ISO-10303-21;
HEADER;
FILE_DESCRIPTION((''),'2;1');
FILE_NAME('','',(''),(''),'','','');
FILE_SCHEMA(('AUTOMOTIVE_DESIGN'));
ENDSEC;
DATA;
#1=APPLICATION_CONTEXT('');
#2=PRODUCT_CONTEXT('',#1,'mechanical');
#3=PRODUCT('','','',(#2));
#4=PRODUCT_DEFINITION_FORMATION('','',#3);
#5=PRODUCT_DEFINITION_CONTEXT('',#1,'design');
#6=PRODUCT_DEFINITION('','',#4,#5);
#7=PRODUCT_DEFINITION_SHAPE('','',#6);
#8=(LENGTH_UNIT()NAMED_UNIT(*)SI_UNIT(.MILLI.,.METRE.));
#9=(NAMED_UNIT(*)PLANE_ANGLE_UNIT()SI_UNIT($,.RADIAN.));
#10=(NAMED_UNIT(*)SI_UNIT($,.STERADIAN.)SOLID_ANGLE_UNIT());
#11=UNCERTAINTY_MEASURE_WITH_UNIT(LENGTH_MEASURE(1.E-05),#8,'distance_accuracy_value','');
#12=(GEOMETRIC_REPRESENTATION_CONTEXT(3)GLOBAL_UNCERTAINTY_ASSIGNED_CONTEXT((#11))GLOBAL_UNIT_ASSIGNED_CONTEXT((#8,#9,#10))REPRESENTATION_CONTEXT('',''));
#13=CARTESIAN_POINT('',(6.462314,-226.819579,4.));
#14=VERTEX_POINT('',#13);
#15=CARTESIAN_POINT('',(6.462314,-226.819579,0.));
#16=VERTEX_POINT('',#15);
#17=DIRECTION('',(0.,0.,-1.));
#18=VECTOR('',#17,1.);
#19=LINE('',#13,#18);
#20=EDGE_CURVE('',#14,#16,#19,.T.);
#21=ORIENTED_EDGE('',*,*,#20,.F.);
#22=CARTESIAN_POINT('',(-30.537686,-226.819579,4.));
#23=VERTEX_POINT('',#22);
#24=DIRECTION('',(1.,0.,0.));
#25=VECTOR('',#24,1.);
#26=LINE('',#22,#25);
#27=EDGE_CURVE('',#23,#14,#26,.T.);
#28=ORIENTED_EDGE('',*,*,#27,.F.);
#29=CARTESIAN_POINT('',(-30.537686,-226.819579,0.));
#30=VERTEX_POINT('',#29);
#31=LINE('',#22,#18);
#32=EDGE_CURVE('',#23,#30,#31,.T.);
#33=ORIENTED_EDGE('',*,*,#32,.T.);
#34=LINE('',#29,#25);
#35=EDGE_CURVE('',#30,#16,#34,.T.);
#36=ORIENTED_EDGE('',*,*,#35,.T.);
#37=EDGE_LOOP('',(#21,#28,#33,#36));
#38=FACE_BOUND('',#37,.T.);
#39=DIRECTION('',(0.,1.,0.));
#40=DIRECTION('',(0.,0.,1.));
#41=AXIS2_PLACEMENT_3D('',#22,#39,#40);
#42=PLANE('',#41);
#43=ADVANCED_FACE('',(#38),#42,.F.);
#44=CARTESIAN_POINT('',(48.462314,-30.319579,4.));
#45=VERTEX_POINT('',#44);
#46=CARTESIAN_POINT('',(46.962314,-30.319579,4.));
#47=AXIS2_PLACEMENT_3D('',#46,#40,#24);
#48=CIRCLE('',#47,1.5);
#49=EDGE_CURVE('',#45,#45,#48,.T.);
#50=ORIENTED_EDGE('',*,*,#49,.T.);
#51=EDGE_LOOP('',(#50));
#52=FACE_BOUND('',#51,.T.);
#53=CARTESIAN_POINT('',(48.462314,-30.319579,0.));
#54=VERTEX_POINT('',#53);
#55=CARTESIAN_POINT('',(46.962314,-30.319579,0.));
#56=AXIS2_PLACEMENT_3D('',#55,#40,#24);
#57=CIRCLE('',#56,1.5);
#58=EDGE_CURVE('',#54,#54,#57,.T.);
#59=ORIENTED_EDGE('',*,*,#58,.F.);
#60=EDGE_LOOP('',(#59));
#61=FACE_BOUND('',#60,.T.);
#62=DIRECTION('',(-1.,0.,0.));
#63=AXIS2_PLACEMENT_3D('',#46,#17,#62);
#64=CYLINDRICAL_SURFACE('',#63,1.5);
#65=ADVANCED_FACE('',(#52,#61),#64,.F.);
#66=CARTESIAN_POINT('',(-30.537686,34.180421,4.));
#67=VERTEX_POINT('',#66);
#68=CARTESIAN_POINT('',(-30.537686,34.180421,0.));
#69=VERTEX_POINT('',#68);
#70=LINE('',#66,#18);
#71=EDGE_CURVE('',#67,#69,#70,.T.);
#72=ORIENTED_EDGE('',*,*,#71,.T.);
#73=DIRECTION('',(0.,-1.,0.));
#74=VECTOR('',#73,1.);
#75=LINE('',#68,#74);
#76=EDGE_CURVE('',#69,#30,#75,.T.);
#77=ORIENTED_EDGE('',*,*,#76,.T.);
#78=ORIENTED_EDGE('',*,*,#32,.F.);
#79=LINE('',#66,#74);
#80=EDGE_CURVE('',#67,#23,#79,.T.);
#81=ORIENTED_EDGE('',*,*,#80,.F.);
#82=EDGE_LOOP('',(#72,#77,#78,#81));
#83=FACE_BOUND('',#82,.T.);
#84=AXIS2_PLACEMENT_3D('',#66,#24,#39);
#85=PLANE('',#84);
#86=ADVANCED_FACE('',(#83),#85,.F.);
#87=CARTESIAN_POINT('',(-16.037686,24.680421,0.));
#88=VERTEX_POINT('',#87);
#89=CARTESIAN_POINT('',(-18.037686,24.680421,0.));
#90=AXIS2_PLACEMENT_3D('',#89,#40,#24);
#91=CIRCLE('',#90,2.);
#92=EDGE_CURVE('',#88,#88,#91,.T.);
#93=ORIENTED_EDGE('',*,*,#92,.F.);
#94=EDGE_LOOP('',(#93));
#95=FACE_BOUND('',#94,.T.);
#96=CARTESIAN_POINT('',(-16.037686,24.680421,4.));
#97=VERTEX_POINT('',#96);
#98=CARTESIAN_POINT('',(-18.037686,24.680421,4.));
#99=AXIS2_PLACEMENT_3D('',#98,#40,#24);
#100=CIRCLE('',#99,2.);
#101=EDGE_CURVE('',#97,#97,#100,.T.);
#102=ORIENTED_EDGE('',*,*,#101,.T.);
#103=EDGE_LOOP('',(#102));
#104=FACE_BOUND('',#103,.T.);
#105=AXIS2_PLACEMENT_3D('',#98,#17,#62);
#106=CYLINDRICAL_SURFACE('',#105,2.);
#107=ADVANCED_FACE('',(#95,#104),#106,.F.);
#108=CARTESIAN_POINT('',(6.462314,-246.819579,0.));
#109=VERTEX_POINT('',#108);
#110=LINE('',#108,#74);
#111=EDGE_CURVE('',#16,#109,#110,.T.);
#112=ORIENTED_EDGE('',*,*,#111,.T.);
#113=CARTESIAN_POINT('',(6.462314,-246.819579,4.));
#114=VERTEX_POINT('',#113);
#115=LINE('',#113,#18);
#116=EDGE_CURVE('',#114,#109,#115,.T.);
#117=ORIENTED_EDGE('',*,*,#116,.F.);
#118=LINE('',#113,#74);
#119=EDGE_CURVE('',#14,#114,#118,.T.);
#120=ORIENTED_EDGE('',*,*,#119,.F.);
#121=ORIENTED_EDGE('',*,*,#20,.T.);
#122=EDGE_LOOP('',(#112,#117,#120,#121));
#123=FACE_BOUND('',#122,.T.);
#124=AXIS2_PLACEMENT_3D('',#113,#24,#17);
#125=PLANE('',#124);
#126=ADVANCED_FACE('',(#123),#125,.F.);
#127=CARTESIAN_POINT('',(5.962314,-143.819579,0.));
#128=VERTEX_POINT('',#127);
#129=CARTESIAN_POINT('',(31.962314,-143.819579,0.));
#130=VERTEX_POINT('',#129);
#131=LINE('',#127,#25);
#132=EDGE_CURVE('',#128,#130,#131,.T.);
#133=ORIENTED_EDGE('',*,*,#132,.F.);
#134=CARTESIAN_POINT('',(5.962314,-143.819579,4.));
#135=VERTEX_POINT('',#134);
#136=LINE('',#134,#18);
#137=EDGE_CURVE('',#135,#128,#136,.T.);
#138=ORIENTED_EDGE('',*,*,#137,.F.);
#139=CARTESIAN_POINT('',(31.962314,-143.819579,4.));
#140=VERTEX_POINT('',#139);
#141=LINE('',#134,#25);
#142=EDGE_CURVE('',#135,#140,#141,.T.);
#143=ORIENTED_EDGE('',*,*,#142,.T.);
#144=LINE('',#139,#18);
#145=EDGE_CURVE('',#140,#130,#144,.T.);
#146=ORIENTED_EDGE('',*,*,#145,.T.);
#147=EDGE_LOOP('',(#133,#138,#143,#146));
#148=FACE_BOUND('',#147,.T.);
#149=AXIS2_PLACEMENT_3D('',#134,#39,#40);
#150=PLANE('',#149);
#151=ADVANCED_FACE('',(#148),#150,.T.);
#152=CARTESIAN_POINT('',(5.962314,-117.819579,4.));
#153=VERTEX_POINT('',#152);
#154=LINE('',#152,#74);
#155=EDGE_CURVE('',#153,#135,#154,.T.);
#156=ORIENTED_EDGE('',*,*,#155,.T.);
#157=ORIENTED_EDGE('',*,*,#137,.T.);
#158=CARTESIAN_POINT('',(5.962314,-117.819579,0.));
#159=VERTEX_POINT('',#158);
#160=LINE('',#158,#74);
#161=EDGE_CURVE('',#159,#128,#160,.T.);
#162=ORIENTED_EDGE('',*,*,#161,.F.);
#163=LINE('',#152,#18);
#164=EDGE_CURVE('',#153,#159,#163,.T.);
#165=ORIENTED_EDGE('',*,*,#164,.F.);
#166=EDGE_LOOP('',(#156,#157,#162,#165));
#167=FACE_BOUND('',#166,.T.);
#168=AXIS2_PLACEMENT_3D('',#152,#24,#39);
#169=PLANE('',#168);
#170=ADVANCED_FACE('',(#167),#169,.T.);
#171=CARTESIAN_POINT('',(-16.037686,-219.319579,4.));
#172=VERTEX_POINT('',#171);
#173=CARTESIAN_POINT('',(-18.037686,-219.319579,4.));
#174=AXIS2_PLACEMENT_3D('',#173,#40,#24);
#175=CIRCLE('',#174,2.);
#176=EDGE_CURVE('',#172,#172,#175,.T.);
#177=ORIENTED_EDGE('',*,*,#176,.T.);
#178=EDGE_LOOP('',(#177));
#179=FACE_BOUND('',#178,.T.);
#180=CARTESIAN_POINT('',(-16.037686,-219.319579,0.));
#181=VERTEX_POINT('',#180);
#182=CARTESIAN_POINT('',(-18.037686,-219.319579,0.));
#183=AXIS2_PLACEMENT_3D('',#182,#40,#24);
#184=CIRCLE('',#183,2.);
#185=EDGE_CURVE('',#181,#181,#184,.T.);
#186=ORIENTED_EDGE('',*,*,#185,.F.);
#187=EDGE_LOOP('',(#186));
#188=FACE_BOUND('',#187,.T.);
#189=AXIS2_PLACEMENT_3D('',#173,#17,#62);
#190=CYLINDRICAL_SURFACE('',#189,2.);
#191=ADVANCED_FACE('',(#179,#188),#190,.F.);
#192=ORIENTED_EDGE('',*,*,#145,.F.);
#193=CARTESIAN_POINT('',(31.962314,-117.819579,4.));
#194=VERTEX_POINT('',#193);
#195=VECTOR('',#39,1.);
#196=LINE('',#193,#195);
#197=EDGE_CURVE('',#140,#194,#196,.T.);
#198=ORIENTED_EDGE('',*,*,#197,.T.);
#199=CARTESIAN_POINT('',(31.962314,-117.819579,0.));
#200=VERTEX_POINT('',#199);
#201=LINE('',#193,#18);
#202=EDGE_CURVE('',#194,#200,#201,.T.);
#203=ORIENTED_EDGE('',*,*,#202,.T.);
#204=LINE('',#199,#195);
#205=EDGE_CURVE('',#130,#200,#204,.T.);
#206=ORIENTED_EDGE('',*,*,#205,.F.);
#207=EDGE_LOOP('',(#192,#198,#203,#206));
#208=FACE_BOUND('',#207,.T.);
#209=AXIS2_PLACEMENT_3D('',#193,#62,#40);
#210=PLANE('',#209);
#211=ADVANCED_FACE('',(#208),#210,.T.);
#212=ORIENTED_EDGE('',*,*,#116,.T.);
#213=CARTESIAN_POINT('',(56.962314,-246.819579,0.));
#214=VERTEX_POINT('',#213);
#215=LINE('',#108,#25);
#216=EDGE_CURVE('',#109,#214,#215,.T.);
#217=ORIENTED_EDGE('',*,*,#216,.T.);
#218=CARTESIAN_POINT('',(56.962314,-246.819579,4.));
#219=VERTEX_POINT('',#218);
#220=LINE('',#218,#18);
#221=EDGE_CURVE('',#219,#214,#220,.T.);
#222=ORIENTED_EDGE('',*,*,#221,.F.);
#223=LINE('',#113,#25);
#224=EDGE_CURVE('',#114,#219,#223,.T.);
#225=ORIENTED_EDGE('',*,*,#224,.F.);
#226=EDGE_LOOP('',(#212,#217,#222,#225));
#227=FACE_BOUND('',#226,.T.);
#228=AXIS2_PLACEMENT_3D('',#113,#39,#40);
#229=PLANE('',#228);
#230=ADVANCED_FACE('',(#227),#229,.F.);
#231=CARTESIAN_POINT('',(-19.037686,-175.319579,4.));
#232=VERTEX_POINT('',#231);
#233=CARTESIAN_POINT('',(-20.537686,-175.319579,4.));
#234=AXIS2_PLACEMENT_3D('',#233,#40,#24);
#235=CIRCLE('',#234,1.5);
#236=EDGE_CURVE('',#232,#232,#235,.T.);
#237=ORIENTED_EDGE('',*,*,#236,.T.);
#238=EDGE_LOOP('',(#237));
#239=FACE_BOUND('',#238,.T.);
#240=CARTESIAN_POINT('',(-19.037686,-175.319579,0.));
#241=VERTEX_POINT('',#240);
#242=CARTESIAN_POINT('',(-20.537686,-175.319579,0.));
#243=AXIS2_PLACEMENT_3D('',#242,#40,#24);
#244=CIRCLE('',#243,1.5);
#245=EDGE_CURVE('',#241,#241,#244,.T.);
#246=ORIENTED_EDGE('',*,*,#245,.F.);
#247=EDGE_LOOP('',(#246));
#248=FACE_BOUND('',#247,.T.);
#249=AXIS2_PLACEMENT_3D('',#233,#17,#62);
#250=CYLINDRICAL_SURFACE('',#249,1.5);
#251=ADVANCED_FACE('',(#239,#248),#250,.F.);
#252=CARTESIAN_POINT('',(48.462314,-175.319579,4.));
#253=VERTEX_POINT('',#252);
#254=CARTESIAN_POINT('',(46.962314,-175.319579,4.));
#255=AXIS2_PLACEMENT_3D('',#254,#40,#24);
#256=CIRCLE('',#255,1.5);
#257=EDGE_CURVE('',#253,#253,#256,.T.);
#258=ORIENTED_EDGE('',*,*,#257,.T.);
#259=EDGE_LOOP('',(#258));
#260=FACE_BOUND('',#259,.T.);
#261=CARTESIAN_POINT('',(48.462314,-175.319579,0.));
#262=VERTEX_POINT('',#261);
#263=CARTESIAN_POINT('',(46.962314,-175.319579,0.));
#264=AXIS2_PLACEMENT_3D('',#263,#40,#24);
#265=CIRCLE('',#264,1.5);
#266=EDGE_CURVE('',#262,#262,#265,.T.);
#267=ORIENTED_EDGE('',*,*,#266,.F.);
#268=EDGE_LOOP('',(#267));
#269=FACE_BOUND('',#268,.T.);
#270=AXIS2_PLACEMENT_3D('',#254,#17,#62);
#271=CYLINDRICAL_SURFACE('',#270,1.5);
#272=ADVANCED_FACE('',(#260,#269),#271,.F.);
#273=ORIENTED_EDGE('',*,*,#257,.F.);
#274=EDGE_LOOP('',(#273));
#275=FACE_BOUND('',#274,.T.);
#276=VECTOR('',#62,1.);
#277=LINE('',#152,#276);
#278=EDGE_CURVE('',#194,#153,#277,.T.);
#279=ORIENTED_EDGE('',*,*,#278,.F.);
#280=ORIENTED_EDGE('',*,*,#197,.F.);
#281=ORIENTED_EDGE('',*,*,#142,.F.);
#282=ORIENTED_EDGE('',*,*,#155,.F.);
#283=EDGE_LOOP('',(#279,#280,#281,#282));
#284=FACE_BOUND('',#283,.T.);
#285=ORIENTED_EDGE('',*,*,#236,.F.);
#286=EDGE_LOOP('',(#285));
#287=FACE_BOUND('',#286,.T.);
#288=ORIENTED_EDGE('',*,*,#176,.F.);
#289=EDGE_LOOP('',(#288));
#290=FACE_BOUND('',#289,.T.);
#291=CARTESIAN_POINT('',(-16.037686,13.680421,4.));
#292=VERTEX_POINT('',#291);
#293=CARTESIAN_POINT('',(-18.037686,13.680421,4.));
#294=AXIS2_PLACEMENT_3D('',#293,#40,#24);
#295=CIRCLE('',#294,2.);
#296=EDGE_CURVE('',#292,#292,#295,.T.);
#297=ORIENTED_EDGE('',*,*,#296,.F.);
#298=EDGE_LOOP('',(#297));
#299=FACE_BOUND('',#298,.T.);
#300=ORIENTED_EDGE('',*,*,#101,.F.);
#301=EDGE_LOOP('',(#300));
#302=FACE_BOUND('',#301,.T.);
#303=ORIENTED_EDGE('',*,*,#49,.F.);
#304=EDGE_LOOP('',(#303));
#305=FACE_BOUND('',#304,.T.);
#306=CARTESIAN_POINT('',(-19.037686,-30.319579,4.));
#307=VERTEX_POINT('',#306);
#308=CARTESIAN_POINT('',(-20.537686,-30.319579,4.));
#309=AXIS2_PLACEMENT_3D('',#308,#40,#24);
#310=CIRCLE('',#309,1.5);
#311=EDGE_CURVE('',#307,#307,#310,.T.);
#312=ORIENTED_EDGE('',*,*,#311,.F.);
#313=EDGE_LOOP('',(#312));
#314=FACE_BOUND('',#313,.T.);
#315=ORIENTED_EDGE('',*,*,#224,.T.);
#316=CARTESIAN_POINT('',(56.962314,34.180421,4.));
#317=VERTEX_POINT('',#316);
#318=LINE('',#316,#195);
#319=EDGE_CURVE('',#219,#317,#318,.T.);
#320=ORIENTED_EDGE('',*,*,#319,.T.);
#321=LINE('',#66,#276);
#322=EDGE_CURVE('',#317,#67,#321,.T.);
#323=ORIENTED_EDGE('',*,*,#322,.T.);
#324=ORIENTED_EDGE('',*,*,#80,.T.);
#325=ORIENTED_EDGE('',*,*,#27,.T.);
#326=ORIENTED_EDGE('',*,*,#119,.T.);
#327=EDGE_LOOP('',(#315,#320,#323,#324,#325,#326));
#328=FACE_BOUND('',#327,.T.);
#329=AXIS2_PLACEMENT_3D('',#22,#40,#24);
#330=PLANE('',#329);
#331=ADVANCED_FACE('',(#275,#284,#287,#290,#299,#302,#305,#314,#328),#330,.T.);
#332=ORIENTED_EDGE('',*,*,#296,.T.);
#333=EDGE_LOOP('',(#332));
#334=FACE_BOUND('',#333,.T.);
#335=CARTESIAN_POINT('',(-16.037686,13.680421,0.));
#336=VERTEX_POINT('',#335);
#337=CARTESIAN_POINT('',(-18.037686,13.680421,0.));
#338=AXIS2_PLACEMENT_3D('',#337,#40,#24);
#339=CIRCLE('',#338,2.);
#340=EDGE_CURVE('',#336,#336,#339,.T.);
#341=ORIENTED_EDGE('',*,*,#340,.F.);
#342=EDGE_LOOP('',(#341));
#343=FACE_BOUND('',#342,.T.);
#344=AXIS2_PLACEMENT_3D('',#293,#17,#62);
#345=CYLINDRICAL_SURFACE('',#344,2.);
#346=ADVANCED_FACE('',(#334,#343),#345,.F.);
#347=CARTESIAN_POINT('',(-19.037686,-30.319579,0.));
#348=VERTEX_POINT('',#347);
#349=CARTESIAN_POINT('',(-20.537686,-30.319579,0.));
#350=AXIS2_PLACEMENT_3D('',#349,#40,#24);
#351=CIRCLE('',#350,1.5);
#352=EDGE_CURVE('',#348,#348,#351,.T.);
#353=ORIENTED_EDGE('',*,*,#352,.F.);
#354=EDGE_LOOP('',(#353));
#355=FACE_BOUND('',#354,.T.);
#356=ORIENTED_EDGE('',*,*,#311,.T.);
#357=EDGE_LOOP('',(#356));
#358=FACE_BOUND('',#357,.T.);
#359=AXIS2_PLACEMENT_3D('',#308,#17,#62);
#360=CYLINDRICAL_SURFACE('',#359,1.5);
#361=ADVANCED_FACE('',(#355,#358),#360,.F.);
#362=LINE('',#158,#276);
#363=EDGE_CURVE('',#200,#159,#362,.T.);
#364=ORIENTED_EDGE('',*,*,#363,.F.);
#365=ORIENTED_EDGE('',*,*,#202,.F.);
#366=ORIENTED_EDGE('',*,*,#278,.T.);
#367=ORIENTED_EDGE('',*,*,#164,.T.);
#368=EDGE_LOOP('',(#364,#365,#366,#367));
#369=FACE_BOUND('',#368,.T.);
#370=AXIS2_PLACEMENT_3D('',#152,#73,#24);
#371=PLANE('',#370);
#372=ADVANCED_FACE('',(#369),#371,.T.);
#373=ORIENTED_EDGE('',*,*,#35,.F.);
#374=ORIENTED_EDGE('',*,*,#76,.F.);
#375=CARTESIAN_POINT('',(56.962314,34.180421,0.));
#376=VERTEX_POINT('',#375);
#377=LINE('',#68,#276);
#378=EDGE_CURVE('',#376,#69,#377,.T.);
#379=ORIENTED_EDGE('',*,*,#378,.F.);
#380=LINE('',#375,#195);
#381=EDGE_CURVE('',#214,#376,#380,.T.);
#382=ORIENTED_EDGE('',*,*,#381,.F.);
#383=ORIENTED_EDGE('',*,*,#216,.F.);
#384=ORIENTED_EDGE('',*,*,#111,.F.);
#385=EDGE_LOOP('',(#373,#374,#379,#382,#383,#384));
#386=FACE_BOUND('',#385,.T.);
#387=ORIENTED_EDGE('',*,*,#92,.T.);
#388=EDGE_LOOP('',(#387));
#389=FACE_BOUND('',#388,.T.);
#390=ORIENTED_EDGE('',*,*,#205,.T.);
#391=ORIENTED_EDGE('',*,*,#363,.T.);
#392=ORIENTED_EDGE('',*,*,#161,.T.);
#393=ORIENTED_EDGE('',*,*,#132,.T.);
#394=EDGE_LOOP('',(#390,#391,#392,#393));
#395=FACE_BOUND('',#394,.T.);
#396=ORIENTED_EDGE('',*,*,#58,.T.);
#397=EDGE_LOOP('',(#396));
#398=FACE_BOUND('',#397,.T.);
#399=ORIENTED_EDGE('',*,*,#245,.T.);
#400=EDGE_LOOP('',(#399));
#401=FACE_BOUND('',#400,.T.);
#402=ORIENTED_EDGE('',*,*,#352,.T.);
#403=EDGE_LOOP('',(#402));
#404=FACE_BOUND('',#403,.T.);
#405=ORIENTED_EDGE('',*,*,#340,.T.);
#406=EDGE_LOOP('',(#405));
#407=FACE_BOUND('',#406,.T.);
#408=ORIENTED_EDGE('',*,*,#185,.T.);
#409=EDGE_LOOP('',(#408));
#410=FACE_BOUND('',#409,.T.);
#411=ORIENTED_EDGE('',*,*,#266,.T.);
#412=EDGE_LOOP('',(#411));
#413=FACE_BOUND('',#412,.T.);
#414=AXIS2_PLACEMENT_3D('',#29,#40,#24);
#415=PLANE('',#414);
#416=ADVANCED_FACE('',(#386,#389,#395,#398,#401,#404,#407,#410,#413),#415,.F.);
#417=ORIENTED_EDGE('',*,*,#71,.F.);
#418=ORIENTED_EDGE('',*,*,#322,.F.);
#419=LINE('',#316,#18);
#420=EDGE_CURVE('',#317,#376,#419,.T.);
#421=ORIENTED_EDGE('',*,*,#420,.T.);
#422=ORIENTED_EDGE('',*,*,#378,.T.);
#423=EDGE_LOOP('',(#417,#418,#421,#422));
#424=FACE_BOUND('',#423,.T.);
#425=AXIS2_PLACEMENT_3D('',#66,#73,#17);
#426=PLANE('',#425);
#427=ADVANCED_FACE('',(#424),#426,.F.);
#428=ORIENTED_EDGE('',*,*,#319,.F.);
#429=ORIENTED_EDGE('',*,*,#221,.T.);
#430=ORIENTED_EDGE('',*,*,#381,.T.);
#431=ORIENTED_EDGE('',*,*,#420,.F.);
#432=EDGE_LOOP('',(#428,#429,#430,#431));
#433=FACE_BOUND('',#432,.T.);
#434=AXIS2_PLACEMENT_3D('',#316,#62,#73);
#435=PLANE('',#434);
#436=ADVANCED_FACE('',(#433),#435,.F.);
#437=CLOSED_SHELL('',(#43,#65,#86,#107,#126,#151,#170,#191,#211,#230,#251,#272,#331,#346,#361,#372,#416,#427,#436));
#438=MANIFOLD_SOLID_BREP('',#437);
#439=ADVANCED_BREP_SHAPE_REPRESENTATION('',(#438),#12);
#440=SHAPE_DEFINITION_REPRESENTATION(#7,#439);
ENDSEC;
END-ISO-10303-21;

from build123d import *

# Parameters (mm, degrees)
ESQUISSE1_R      = 1.5
ESQUISSE1_R_2    = 2
ESQUISSE1_W      = 26
ESQUISSE1_H      = 26
EXTRUSION1_DEPTH = 4


with BuildPart() as part:
    # Esquisse1 → Extrusion1 (new body)
    with BuildSketch(Plane.XY):
        Polygon((-30.537686248, 34.180421053), (56.962313752, 34.180421053), (56.962313752, -246.819578947), (6.462313752, -246.819578947), (6.462313752, -226.819578947), (-30.537686248, -226.819578947), align=None)
        with Locations((-20.537686248, -175.319578947)):
            Circle(ESQUISSE1_R, mode=Mode.SUBTRACT)
        with Locations((-20.537686248, -30.319578947)):
            Circle(ESQUISSE1_R, mode=Mode.SUBTRACT)
        with Locations((46.962313752, -30.319578947)):
            Circle(ESQUISSE1_R, mode=Mode.SUBTRACT)
        with Locations((46.962313752, -175.319578947)):
            Circle(ESQUISSE1_R, mode=Mode.SUBTRACT)
        with Locations((-18.037686248, -219.319578947)):
            Circle(ESQUISSE1_R_2, mode=Mode.SUBTRACT)
        with Locations((-18.037686248, 24.680421053)):
            Circle(ESQUISSE1_R_2, mode=Mode.SUBTRACT)
        with Locations((-18.037686248, 13.680421053)):
            Circle(ESQUISSE1_R_2, mode=Mode.SUBTRACT)
        with Locations((18.962313752, -130.819578947)):
            Rectangle(ESQUISSE1_W, ESQUISSE1_H, mode=Mode.SUBTRACT)
    extrude(amount=EXTRUSION1_DEPTH)


solid = part.part
